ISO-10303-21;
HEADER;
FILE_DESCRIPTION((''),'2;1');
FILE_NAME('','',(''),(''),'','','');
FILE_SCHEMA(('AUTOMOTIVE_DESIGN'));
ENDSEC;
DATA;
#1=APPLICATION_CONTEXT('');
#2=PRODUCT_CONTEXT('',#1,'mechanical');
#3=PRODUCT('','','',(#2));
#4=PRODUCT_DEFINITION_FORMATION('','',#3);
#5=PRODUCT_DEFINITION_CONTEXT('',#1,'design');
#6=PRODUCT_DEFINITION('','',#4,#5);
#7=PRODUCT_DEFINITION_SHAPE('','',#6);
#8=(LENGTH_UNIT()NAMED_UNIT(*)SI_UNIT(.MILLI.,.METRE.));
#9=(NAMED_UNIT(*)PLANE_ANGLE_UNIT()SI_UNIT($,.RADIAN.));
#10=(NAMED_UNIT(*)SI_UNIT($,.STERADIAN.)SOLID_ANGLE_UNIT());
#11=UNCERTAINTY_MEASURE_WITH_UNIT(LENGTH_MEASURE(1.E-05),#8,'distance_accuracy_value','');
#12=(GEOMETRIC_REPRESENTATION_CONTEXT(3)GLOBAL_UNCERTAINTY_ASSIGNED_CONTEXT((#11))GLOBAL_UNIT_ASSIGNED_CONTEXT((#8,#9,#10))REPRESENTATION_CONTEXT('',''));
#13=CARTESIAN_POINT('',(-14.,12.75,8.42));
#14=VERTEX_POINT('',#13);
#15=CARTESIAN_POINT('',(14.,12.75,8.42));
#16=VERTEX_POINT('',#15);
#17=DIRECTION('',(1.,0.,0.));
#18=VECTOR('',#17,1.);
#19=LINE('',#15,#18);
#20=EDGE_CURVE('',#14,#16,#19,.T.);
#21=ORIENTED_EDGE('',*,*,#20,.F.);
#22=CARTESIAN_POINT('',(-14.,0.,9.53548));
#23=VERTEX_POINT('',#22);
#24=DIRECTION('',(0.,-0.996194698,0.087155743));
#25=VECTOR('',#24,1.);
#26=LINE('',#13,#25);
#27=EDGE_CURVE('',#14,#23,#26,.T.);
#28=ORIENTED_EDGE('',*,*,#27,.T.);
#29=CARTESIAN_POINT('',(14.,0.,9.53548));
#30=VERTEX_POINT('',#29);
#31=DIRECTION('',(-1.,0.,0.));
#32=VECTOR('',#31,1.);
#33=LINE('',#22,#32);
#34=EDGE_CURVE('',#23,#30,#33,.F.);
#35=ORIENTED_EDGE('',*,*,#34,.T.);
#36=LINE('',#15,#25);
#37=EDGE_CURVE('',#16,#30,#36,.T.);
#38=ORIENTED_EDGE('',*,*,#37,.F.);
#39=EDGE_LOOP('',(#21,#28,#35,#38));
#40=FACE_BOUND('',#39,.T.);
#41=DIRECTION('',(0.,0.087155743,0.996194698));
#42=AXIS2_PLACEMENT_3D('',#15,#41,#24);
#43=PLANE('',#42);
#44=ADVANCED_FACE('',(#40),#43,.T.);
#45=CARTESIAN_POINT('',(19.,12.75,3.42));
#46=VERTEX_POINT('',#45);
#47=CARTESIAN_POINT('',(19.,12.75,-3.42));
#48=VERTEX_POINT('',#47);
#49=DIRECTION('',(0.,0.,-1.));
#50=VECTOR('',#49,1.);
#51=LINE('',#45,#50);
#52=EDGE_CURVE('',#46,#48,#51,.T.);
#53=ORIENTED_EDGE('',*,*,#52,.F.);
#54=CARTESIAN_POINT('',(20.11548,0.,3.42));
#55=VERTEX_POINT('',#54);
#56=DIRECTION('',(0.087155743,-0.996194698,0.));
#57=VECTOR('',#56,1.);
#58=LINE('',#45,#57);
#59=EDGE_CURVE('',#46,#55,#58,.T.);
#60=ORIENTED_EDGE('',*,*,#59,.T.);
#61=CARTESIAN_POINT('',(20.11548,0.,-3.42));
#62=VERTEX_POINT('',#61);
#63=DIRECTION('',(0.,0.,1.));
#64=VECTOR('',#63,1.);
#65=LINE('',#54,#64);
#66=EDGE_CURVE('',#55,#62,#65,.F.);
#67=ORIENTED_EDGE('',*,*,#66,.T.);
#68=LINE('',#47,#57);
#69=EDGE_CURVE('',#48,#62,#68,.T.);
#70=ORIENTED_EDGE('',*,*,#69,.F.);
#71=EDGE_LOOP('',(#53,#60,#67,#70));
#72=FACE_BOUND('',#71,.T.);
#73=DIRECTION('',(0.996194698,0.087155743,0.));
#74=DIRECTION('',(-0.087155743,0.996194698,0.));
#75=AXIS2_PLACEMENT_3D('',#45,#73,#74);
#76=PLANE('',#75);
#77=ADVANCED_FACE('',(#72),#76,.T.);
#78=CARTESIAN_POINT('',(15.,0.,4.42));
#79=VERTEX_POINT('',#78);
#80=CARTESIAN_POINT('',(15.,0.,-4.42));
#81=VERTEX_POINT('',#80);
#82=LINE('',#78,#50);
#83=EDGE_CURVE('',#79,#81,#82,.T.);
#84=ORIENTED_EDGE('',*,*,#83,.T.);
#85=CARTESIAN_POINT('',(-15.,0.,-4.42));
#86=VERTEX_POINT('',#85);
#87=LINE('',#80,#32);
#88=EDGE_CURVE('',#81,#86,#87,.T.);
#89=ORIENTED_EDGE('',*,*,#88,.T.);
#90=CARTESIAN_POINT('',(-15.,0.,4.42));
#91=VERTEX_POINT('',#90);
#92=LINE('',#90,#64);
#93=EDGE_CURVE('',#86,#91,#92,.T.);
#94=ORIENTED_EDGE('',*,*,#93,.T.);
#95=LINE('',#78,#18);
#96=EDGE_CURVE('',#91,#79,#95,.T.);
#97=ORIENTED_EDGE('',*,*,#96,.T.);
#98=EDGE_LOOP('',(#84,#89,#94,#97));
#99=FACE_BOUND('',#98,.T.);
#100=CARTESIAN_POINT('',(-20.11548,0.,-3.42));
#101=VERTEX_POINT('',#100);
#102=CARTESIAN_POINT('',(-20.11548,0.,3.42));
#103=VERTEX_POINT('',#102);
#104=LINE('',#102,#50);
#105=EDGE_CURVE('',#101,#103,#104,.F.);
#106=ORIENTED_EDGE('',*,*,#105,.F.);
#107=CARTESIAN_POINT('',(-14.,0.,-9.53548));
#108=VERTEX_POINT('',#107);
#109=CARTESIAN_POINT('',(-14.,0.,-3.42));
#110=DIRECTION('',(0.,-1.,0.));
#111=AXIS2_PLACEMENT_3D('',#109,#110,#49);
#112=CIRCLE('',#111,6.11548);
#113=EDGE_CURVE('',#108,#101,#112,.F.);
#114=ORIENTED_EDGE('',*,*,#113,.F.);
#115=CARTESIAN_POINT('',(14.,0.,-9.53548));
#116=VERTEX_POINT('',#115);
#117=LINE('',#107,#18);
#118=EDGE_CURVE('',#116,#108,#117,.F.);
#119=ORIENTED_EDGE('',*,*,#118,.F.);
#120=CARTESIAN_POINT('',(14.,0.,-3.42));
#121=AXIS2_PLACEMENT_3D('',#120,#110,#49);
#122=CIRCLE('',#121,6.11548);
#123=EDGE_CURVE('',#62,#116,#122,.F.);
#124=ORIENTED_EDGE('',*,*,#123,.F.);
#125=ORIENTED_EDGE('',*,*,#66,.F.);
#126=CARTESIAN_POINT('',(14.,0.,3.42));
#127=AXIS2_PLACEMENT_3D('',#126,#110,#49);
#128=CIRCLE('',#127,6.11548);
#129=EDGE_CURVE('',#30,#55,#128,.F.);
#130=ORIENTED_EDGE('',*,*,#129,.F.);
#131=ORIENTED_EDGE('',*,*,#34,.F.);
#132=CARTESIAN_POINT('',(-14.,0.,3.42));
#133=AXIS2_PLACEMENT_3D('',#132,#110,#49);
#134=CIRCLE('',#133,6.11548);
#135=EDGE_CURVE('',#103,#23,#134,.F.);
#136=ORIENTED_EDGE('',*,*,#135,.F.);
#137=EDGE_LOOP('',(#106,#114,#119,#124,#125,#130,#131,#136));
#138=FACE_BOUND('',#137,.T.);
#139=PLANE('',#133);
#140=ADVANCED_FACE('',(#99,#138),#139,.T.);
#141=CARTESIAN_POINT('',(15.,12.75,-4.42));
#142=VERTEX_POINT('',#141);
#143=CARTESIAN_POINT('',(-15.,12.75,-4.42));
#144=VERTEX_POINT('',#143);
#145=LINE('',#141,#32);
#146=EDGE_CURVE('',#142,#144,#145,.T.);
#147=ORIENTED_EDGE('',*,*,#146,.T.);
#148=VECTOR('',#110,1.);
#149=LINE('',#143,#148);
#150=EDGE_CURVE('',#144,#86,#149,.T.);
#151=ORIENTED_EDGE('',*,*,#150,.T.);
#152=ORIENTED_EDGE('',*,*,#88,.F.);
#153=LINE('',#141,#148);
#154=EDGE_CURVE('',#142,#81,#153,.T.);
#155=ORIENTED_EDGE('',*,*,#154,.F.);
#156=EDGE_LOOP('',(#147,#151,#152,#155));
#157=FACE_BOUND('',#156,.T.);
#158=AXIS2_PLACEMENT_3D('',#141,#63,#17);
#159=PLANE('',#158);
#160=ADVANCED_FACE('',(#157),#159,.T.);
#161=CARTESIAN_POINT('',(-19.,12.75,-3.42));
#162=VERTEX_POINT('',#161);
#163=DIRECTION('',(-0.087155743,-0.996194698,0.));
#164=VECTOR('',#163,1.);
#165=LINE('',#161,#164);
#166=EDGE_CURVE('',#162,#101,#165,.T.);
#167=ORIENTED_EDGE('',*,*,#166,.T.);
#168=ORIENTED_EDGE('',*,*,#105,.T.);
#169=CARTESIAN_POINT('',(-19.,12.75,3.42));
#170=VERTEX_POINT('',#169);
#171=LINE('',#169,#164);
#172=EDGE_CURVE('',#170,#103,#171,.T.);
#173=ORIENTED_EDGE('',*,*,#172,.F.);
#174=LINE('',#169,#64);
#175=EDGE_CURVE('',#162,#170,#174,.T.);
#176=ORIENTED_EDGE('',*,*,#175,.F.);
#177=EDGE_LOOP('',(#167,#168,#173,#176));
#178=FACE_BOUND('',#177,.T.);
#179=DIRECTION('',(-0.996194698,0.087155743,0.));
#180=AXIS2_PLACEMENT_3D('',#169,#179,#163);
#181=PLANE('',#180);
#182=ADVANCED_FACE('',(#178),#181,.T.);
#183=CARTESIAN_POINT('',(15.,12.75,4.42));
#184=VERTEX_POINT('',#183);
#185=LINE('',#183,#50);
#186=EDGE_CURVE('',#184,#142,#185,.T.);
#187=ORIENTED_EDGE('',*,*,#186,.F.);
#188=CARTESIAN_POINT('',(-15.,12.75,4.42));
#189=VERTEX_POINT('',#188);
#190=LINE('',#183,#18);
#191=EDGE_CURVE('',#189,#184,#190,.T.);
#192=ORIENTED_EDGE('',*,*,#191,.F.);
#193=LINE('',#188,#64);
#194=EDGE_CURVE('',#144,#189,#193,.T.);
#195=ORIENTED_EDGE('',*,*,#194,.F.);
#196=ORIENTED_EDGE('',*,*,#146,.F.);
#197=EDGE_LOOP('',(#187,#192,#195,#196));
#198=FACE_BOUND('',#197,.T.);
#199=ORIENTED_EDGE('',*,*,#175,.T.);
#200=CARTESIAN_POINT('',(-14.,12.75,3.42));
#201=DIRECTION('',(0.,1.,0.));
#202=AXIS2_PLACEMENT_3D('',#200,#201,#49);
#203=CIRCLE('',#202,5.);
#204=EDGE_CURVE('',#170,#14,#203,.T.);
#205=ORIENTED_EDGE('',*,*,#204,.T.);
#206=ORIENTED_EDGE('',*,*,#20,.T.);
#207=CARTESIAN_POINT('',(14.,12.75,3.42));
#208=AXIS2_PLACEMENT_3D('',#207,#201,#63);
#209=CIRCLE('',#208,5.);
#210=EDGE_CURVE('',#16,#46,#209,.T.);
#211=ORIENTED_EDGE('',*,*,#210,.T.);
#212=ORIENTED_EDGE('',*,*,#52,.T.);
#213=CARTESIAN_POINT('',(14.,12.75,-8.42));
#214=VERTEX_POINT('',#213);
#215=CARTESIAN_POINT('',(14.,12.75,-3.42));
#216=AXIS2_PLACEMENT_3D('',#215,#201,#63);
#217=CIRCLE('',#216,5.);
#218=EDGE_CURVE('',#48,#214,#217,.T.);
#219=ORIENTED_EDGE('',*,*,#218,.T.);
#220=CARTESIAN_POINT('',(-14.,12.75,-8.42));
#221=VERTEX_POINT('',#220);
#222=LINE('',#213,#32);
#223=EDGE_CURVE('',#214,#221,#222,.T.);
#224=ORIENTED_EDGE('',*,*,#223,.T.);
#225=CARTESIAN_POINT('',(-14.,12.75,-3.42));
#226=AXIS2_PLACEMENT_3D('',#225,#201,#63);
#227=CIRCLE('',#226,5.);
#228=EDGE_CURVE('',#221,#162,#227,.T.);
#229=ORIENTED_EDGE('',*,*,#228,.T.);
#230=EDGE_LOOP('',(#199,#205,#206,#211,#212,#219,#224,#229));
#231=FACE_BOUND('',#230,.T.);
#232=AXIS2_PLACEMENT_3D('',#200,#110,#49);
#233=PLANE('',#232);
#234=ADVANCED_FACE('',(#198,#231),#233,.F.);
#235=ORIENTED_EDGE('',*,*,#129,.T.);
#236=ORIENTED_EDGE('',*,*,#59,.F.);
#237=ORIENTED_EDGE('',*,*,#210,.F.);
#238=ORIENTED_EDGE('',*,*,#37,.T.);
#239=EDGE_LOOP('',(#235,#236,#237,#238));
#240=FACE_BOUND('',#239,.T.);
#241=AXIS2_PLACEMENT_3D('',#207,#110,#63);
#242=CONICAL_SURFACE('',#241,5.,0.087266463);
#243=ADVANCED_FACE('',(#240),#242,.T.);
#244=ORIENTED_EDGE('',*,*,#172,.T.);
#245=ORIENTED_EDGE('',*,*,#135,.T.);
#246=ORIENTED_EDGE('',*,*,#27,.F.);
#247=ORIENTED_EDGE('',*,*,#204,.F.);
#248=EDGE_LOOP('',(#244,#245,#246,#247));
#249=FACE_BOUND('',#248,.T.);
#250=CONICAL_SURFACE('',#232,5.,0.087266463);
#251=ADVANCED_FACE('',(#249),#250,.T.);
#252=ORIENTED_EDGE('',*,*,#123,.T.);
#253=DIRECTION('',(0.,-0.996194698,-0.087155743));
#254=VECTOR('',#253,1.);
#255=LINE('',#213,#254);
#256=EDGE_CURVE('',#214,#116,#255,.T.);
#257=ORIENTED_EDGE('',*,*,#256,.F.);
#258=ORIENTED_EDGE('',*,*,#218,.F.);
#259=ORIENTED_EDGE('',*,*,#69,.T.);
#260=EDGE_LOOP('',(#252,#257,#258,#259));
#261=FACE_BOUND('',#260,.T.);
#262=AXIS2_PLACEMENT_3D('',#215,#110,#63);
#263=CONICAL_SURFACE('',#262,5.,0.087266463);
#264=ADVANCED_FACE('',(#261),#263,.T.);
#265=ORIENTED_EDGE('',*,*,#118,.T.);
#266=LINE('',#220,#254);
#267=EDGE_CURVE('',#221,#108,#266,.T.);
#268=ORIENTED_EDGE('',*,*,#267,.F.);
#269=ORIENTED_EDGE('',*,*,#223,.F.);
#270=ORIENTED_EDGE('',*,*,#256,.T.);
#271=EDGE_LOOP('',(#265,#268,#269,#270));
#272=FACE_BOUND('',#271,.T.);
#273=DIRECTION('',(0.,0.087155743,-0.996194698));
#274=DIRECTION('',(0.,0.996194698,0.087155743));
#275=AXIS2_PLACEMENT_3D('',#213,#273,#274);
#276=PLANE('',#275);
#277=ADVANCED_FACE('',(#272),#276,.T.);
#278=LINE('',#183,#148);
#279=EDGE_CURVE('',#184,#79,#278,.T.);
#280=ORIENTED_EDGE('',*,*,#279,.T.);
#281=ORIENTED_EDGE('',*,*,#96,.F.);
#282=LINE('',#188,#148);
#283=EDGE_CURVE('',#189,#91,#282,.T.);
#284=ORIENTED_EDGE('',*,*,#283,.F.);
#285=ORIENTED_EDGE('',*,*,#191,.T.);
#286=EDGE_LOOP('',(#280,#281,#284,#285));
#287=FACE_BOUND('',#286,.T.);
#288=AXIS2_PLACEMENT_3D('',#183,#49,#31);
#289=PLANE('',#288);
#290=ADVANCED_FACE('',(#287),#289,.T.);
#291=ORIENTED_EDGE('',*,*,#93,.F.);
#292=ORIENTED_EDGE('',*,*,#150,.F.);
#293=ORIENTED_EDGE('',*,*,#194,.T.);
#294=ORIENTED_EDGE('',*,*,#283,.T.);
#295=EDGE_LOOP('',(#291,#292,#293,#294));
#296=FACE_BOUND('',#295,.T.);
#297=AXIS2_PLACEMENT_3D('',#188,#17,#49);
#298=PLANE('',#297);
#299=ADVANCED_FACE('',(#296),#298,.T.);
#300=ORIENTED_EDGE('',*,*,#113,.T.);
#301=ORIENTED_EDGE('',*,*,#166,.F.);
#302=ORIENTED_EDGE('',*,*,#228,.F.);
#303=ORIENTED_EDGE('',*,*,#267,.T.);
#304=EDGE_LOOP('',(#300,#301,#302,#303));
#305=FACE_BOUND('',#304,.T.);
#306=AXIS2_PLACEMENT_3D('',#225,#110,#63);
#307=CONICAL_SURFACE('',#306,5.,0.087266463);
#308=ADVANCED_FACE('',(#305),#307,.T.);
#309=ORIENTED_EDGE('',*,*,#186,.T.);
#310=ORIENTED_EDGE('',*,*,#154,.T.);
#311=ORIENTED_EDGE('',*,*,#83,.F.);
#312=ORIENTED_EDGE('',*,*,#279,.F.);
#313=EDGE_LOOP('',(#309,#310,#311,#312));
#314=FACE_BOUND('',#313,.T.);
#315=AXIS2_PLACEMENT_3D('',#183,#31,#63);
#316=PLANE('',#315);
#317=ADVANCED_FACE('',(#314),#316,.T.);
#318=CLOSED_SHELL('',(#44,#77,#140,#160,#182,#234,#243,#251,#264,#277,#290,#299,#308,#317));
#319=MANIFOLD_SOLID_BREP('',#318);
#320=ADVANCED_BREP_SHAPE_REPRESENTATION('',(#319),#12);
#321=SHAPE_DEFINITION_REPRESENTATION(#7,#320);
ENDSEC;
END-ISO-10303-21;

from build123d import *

# Parameters (mm, degrees)
SKETCH1_W           = 30
SKETCH1_H           = 8.84
BOSS_EXTRUDE1_DEPTH = 12.75
DRAFT1_ANGLE        = 5


with BuildPart() as part:
    # Sketch1 → Boss-Extrude1 (new body)
    with BuildSketch(Plane(origin=(0, 0, 0), x_dir=(1, 0, 0), z_dir=(0, 1, 0))):
        with BuildLine():
            Line((14, -8.42), (-14, -8.42))
            ThreePointArc((-14, -8.42), (-17.535533906, -6.955533906), (-19, -3.42))
            Line((-19, -3.42), (-19, 3.42))
            ThreePointArc((-19, 3.42), (-17.535533906, 6.955533906), (-14, 8.42))
            Line((-14, 8.42), (14, 8.42))
            ThreePointArc((14, 8.42), (17.535533906, 6.955533906), (19, 3.42))
            Line((19, 3.42), (19, -3.42))
            ThreePointArc((19, -3.42), (17.535533906, -6.955533906), (14, -8.42))
        make_face()
        Rectangle(SKETCH1_W, SKETCH1_H, mode=Mode.SUBTRACT)
    extrude(amount=BOSS_EXTRUDE1_DEPTH)

    # Draft1
    draft1_faces = [part.faces().sort_by_distance(p)[0] for p in [
        (-17.535533906, 6.375, 6.955533906),
        (-19, 6.375, 0),
        (-17.535533906, 6.375, -6.955533906),
        (0, 6.375, -8.42),
        (17.535533906, 6.375, -6.955533906),
        (19, 6.375, 0),
        (17.535533906, 6.375, 6.955533906),
        (0, 6.375, 8.42),
    ]]
    draft(draft1_faces, Plane(origin=(-14, 12.75, 3.42), x_dir=(0, 0, 1), z_dir=(0, 1, 0)), DRAFT1_ANGLE)


solid = part.part
